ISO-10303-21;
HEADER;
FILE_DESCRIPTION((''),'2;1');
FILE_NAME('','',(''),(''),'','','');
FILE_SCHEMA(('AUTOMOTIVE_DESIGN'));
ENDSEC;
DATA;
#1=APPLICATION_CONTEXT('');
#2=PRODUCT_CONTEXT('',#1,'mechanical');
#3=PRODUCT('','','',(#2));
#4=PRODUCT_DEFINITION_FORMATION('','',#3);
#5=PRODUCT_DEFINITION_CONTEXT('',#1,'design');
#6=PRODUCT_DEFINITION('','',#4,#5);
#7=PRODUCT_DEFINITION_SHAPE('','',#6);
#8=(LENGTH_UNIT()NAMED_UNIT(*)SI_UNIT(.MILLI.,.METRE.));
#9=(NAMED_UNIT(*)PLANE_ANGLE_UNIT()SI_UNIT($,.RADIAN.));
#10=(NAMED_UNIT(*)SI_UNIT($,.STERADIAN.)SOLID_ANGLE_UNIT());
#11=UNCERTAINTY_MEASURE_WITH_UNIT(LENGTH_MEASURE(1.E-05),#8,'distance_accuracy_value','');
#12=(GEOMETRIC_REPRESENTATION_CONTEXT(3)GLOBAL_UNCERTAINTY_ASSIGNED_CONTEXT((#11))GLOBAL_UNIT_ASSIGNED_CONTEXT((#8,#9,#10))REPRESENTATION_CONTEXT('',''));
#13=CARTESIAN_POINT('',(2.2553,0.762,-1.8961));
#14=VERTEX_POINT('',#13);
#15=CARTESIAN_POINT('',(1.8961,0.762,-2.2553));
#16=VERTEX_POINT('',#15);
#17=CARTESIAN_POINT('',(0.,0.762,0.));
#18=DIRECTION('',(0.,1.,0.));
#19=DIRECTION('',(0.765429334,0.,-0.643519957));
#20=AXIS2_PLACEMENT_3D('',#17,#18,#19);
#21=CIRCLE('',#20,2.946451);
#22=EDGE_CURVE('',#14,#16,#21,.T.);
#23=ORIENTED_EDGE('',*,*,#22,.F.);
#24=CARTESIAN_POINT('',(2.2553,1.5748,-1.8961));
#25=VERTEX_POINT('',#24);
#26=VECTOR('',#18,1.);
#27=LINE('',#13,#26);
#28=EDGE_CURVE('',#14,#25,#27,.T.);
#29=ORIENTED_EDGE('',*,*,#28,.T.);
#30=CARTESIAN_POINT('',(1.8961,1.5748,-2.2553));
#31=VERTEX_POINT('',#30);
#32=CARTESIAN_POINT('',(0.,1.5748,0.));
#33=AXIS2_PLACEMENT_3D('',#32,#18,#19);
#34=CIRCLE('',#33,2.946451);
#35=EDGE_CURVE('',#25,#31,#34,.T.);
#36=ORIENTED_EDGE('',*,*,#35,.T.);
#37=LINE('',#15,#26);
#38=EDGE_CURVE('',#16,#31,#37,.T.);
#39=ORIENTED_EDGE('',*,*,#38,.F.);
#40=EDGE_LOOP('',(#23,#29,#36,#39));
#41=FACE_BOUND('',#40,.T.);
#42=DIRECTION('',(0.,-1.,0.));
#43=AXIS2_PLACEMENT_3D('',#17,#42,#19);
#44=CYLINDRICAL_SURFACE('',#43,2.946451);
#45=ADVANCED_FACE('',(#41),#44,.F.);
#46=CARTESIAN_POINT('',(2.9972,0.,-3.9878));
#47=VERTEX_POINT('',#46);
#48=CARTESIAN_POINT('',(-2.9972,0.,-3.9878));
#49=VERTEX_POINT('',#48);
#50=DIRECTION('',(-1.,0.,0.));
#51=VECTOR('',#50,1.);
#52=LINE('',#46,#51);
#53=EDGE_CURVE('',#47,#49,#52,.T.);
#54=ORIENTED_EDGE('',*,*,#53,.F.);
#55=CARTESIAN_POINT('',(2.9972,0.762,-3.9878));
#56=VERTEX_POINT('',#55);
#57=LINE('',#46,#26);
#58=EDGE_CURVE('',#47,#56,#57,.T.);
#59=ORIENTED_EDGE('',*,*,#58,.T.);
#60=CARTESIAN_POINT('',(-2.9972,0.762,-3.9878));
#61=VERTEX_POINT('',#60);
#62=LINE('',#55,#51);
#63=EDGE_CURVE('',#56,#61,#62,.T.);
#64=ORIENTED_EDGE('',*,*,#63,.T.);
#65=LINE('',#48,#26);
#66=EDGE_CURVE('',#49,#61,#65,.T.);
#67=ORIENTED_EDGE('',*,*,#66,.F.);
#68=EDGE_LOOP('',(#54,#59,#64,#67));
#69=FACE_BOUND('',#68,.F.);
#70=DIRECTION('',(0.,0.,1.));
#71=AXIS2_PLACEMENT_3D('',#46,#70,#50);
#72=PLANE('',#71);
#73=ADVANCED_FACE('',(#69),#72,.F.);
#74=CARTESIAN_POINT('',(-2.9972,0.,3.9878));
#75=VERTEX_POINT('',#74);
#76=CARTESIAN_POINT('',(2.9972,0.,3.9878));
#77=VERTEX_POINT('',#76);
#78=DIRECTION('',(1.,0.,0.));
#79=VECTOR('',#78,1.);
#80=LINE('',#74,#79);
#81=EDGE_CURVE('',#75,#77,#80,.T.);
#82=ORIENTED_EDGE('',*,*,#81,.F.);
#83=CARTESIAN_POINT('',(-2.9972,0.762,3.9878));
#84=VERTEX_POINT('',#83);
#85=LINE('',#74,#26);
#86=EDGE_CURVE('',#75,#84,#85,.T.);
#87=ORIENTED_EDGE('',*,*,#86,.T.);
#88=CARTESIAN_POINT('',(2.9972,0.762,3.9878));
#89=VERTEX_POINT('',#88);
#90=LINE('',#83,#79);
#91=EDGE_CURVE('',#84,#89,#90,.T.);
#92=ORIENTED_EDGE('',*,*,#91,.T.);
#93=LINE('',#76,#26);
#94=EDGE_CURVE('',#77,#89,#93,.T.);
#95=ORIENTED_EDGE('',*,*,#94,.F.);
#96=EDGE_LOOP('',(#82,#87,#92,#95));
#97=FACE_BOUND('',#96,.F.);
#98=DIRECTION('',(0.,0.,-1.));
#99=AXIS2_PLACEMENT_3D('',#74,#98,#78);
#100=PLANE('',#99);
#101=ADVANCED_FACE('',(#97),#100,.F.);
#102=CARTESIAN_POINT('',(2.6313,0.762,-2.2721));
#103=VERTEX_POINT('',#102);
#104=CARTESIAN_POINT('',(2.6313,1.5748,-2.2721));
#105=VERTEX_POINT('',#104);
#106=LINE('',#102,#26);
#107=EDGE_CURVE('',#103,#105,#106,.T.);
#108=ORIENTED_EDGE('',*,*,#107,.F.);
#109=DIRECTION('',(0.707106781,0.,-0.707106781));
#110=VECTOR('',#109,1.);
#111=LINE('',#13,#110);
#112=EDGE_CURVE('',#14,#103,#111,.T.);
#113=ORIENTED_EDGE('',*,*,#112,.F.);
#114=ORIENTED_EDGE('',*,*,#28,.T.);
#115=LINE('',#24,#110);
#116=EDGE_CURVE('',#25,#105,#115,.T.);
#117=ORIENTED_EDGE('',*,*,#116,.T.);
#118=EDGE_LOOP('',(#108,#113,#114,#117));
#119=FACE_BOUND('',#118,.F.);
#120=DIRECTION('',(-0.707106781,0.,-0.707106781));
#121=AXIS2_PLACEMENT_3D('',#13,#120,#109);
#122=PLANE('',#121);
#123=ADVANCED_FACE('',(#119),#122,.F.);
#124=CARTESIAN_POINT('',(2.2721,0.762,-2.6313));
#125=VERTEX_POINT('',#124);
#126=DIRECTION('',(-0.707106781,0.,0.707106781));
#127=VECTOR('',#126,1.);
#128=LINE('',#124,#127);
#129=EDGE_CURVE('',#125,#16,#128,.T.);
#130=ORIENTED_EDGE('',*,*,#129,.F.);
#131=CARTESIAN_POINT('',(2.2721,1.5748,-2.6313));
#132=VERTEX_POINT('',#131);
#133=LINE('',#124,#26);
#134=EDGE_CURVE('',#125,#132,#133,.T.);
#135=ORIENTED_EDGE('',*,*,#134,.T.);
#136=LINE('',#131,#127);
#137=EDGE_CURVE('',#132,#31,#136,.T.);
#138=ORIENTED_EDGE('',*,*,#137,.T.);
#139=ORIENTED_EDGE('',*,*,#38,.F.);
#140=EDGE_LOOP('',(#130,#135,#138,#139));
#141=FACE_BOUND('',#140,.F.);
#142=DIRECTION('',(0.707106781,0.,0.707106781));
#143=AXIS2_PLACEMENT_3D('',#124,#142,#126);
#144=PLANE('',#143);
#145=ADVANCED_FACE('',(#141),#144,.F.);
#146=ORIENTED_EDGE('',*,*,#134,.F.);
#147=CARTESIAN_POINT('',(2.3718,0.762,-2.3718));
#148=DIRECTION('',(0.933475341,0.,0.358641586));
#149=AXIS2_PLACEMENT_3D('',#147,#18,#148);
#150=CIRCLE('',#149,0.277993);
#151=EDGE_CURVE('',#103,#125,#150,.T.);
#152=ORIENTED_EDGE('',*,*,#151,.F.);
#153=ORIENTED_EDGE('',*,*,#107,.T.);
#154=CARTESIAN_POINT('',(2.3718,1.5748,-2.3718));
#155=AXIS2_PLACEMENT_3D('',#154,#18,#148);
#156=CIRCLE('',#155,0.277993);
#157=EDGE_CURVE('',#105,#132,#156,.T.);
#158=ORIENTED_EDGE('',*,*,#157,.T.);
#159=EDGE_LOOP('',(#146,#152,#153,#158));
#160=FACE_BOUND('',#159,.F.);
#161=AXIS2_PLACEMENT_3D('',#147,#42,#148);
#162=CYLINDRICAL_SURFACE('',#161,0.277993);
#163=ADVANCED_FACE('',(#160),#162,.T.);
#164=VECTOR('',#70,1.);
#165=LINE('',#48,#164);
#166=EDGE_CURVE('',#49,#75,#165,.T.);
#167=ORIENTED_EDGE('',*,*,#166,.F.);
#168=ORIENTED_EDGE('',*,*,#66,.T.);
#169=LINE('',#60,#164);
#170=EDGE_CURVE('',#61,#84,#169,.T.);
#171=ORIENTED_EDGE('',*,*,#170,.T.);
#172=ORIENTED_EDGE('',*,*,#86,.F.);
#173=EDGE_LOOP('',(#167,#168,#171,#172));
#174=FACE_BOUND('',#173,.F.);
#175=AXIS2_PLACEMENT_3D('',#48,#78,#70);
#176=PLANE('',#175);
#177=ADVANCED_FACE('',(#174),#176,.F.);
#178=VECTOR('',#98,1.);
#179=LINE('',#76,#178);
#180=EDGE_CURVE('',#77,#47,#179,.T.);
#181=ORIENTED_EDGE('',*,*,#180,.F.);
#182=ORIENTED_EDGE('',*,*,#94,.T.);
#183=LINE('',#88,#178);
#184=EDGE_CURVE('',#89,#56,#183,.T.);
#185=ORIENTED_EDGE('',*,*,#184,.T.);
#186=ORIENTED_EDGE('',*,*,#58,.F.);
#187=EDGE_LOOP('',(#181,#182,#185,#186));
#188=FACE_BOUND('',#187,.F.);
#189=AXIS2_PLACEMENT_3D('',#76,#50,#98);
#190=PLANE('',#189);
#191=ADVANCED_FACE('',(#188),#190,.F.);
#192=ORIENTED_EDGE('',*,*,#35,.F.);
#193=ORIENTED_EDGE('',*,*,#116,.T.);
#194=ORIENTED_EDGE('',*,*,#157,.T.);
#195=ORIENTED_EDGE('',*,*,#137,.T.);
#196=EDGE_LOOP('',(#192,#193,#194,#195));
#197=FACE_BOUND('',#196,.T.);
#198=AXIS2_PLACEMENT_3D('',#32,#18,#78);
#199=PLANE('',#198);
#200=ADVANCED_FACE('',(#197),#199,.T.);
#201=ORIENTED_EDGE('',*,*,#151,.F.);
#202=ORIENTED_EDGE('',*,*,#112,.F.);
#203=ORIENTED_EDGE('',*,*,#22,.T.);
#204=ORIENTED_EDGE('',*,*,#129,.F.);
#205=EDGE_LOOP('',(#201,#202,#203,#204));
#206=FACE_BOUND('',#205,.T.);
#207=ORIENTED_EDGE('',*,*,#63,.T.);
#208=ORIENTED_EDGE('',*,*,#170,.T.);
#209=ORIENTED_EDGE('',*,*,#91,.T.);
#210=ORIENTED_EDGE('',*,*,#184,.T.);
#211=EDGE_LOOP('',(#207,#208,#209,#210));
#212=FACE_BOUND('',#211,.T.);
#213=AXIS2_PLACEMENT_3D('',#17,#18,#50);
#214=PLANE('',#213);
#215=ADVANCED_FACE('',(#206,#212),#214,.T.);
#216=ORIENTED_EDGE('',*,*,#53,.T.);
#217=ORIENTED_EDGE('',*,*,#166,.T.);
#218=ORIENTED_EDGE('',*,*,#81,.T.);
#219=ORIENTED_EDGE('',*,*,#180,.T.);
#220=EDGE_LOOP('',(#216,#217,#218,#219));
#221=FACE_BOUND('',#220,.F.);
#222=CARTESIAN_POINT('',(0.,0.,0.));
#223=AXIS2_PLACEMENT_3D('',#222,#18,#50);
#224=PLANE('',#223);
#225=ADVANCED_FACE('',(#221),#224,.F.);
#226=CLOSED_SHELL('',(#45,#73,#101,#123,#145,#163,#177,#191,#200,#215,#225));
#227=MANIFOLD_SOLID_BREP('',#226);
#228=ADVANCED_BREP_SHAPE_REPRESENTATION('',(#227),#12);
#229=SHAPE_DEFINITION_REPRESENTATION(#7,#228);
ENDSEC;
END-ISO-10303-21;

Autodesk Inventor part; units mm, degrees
sketch "Sketch_1" plane through (0, 0, 0) normal (0, 1, 0) x (-1, 0, 0)
  line L0 (2.9972, 3.9878) -> (-2.9972, 3.9878)
  line L1 (-2.9972, 3.9878) -> (-2.9972, -3.9878)
  line L2 (-2.9972, -3.9878) -> (2.9972, -3.9878)
  line L3 (2.9972, -3.9878) -> (2.9972, 3.9878)
extrude "Extrusion1" add sketch "Sketch_1" along normal blind 0.762
sketch "Sketch_11" plane through (0, 0.762, 0) normal (0, 1, 0) x (1, 0, 0)
  arc A0 (2.2553, 1.8961) -> (1.8961, 2.2553) centre (0, 0) ccw
  line L0 (2.2553, 1.8961) -> (2.6313, 2.2721)
  arc A1 (2.6313, 2.2721) -> (2.2721, 2.6313) centre (2.3718, 2.3718) ccw
  line L1 (2.2721, 2.6313) -> (1.8961, 2.2553)
extrude "Extrusion2" add sketch "Sketch_11" along normal blind 0.8128
ref_plane "cp_body_raiv_XY" through (0, 0, 0) normal (0, 0, 1) x (1, 0, 0)
ref_plane "cp_body_raiv_YZ" through (0, 0, 0) normal (1, 0, 0) x (0, 1, 0)
ref_plane "cp_body_raiv_ZX" through (0, 0, 0) normal (0, 1, 0) x (0, 0, 1)
ref_plane "cp_body_str_XY" through (0, 0, 0) normal (0, 1, 0) x (1, 0, 0)
ref_plane "cp_body_str_YZ" through (0, 0, 0) normal (1, 0, 0) x (0, 0, -1)
ref_plane "cp_body_str_ZX" through (0, 0, 0) normal (0, 0, -1) x (0, 1, 0)
ref_plane "cp_body_togg_rv_XY" through (0, 0, 0.762) normal (0, 0, -1) x (1, 0, 0)
ref_plane "cp_body_togg_rv_YZ" through (0, 0, 0.762) normal (1, 0, 0) x (0, -1, 0)
ref_plane "cp_body_togg_rv_ZX" through (0, 0, 0.762) normal (0, -1, 0) x (0, 0, -1)
ref_plane "cp_body_togstr_XY" through (0, 0.762, 0) normal (0, -1, 0) x (1, 0, 0)
ref_plane "cp_body_togstr_YZ" through (0, 0.762, 0) normal (1, 0, 0) x (0, 0, 1)
ref_plane "cp_body_togstr_ZX" through (0, 0.762, 0) normal (0, 0, 1) x (0, -1, 0)
properties part number "B12APblack"
